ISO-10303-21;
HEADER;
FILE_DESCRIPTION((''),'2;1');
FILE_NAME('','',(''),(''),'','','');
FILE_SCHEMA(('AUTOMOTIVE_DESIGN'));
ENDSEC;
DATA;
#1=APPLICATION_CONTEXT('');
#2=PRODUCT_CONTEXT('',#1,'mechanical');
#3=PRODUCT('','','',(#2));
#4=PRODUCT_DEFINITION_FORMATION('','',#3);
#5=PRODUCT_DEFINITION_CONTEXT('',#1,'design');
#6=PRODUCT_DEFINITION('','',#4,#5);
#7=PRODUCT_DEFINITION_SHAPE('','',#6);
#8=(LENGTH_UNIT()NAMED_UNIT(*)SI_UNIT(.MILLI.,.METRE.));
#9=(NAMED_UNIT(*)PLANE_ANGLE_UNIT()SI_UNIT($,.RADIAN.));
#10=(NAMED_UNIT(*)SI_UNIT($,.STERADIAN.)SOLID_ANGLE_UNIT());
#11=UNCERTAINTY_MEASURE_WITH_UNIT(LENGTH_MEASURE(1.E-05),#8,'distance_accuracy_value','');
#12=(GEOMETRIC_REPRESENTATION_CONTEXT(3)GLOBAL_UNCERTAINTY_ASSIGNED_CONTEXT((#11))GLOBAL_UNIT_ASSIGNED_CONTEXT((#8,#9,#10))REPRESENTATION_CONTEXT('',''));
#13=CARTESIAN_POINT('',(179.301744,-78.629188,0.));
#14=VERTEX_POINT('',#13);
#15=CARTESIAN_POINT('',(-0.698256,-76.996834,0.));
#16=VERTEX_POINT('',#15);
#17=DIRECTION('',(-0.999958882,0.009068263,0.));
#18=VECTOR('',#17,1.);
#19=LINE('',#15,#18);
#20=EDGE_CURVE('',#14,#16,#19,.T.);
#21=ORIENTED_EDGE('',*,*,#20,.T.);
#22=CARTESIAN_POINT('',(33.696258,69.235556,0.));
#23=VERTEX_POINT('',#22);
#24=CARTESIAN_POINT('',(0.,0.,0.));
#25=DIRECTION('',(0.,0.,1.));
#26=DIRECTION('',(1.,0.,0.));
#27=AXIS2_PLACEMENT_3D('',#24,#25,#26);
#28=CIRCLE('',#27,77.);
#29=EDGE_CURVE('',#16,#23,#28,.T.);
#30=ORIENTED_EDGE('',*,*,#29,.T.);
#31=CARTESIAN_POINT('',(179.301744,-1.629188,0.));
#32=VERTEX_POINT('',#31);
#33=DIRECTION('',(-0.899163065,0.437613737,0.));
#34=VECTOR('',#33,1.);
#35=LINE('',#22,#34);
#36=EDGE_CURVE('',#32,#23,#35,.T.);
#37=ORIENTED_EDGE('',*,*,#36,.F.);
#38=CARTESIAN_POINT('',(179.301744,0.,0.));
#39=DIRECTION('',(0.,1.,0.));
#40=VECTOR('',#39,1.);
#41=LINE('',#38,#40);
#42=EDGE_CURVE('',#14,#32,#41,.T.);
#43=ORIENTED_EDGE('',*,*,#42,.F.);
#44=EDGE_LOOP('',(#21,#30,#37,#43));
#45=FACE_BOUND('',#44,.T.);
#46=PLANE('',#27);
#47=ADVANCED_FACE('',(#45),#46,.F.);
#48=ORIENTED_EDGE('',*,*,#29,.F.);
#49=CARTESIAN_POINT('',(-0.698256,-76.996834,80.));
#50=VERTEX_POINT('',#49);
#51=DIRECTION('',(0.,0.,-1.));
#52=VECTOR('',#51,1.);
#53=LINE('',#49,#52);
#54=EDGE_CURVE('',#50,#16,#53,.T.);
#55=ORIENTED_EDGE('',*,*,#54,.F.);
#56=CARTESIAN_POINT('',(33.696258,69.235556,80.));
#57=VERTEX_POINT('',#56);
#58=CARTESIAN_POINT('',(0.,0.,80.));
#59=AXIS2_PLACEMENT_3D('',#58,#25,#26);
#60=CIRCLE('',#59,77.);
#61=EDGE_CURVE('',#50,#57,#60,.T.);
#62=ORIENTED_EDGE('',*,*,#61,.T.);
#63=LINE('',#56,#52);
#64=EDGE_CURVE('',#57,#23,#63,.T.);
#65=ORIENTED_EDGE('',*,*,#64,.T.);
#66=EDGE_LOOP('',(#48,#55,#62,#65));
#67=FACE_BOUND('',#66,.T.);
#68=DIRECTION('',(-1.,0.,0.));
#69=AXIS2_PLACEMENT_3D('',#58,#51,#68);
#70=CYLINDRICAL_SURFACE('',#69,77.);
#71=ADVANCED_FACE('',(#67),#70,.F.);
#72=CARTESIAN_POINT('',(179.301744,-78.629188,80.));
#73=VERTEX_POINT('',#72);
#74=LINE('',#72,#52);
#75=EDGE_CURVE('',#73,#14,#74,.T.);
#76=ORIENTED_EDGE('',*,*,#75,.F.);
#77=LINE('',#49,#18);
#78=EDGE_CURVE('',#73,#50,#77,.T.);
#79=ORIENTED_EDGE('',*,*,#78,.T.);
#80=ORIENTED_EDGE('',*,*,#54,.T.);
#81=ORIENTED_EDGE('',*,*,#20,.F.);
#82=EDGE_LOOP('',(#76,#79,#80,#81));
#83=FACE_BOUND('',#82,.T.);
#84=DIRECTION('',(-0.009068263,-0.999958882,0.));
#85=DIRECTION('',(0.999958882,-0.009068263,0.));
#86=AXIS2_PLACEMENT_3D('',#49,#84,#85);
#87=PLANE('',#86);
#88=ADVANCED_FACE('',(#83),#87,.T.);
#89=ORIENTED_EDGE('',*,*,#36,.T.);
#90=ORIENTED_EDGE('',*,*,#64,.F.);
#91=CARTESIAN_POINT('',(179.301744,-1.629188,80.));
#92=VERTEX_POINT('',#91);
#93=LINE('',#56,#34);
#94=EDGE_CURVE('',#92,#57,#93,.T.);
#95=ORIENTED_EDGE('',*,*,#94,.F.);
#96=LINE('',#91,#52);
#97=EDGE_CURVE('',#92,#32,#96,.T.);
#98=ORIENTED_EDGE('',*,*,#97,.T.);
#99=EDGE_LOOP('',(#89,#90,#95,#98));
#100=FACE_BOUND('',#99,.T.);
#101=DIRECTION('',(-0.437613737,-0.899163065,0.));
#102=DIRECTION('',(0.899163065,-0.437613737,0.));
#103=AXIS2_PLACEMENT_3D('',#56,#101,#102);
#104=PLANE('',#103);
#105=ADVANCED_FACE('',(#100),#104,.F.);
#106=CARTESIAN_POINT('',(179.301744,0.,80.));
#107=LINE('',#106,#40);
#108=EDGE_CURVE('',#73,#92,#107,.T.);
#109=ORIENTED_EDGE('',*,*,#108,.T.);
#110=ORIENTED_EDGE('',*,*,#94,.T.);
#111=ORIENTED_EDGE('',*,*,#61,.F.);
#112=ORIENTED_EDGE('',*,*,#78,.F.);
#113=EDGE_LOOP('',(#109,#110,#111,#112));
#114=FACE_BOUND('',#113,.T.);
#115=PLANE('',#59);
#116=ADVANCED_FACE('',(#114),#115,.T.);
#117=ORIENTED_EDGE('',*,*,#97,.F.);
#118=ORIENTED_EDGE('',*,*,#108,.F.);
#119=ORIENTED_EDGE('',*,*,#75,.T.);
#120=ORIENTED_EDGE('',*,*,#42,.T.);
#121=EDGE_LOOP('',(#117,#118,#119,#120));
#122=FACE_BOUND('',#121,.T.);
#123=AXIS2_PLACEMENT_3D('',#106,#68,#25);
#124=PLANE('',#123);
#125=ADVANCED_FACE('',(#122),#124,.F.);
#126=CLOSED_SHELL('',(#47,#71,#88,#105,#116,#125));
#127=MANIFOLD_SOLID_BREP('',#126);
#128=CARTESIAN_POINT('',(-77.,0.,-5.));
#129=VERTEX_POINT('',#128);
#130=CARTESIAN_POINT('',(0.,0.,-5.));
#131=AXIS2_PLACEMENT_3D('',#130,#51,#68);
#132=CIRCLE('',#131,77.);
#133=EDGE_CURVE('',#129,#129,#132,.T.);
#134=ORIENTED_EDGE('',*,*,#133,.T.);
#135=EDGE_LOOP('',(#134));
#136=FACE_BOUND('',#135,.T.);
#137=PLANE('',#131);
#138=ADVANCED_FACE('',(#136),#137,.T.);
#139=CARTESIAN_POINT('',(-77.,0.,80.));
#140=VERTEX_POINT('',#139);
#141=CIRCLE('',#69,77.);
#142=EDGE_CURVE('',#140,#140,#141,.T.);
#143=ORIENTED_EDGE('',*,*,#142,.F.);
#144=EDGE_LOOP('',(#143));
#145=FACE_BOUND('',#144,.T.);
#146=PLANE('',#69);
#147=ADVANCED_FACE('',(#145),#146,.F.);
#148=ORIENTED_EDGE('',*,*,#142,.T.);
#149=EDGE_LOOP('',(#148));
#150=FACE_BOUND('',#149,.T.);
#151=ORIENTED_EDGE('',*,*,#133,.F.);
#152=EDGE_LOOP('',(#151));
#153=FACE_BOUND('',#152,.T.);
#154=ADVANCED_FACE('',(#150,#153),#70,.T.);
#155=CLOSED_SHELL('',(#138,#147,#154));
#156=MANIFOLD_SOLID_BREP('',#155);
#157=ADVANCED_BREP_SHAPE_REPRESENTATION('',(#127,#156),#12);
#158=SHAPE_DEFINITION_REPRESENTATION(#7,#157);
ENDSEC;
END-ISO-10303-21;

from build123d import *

# Parameters (mm, degrees)
BOSS_EXTRUDE3_DEPTH      = 80
BOSS_EXTRUDE4_DEPTH      = 5
BOSS_EXTRUDE4_DEPTH_BACK = 80
SKETCH4_R                = 77


with BuildPart() as part:
    # Sketch2 → Boss-Extrude3 (new body)
    with BuildSketch(Plane.XY):
        with BuildLine():
            Line((179.301743725, -78.629188464), (179.301743725, -1.629188422))
            Line((179.301743725, -1.629188422), (33.69625772, 69.235556007))
            ThreePointArc((33.69625772, 69.235556007), (65.282508547, 40.831287976), (77, 0))
            ThreePointArc((77, 0), (54.199789053, -54.693535876), (-0.698256275, -76.996833949))
            Line((-0.698256275, -76.996833949), (179.301743725, -78.629188464))
        make_face()
    extrude(amount=BOSS_EXTRUDE3_DEPTH)


with BuildPart() as body_2:
    # Sketch4 → Boss-Extrude4 (new, two sides: drawn at the far end of the back side and taken through both)
    with BuildSketch(Plane(origin=(0, 0, 0), x_dir=(-1, 0, 0), z_dir=(0, 0, -1)).offset(-BOSS_EXTRUDE4_DEPTH_BACK)):
        Circle(SKETCH4_R)
    extrude(amount=BOSS_EXTRUDE4_DEPTH + BOSS_EXTRUDE4_DEPTH_BACK)


solid = Compound([part.part, body_2.part])
